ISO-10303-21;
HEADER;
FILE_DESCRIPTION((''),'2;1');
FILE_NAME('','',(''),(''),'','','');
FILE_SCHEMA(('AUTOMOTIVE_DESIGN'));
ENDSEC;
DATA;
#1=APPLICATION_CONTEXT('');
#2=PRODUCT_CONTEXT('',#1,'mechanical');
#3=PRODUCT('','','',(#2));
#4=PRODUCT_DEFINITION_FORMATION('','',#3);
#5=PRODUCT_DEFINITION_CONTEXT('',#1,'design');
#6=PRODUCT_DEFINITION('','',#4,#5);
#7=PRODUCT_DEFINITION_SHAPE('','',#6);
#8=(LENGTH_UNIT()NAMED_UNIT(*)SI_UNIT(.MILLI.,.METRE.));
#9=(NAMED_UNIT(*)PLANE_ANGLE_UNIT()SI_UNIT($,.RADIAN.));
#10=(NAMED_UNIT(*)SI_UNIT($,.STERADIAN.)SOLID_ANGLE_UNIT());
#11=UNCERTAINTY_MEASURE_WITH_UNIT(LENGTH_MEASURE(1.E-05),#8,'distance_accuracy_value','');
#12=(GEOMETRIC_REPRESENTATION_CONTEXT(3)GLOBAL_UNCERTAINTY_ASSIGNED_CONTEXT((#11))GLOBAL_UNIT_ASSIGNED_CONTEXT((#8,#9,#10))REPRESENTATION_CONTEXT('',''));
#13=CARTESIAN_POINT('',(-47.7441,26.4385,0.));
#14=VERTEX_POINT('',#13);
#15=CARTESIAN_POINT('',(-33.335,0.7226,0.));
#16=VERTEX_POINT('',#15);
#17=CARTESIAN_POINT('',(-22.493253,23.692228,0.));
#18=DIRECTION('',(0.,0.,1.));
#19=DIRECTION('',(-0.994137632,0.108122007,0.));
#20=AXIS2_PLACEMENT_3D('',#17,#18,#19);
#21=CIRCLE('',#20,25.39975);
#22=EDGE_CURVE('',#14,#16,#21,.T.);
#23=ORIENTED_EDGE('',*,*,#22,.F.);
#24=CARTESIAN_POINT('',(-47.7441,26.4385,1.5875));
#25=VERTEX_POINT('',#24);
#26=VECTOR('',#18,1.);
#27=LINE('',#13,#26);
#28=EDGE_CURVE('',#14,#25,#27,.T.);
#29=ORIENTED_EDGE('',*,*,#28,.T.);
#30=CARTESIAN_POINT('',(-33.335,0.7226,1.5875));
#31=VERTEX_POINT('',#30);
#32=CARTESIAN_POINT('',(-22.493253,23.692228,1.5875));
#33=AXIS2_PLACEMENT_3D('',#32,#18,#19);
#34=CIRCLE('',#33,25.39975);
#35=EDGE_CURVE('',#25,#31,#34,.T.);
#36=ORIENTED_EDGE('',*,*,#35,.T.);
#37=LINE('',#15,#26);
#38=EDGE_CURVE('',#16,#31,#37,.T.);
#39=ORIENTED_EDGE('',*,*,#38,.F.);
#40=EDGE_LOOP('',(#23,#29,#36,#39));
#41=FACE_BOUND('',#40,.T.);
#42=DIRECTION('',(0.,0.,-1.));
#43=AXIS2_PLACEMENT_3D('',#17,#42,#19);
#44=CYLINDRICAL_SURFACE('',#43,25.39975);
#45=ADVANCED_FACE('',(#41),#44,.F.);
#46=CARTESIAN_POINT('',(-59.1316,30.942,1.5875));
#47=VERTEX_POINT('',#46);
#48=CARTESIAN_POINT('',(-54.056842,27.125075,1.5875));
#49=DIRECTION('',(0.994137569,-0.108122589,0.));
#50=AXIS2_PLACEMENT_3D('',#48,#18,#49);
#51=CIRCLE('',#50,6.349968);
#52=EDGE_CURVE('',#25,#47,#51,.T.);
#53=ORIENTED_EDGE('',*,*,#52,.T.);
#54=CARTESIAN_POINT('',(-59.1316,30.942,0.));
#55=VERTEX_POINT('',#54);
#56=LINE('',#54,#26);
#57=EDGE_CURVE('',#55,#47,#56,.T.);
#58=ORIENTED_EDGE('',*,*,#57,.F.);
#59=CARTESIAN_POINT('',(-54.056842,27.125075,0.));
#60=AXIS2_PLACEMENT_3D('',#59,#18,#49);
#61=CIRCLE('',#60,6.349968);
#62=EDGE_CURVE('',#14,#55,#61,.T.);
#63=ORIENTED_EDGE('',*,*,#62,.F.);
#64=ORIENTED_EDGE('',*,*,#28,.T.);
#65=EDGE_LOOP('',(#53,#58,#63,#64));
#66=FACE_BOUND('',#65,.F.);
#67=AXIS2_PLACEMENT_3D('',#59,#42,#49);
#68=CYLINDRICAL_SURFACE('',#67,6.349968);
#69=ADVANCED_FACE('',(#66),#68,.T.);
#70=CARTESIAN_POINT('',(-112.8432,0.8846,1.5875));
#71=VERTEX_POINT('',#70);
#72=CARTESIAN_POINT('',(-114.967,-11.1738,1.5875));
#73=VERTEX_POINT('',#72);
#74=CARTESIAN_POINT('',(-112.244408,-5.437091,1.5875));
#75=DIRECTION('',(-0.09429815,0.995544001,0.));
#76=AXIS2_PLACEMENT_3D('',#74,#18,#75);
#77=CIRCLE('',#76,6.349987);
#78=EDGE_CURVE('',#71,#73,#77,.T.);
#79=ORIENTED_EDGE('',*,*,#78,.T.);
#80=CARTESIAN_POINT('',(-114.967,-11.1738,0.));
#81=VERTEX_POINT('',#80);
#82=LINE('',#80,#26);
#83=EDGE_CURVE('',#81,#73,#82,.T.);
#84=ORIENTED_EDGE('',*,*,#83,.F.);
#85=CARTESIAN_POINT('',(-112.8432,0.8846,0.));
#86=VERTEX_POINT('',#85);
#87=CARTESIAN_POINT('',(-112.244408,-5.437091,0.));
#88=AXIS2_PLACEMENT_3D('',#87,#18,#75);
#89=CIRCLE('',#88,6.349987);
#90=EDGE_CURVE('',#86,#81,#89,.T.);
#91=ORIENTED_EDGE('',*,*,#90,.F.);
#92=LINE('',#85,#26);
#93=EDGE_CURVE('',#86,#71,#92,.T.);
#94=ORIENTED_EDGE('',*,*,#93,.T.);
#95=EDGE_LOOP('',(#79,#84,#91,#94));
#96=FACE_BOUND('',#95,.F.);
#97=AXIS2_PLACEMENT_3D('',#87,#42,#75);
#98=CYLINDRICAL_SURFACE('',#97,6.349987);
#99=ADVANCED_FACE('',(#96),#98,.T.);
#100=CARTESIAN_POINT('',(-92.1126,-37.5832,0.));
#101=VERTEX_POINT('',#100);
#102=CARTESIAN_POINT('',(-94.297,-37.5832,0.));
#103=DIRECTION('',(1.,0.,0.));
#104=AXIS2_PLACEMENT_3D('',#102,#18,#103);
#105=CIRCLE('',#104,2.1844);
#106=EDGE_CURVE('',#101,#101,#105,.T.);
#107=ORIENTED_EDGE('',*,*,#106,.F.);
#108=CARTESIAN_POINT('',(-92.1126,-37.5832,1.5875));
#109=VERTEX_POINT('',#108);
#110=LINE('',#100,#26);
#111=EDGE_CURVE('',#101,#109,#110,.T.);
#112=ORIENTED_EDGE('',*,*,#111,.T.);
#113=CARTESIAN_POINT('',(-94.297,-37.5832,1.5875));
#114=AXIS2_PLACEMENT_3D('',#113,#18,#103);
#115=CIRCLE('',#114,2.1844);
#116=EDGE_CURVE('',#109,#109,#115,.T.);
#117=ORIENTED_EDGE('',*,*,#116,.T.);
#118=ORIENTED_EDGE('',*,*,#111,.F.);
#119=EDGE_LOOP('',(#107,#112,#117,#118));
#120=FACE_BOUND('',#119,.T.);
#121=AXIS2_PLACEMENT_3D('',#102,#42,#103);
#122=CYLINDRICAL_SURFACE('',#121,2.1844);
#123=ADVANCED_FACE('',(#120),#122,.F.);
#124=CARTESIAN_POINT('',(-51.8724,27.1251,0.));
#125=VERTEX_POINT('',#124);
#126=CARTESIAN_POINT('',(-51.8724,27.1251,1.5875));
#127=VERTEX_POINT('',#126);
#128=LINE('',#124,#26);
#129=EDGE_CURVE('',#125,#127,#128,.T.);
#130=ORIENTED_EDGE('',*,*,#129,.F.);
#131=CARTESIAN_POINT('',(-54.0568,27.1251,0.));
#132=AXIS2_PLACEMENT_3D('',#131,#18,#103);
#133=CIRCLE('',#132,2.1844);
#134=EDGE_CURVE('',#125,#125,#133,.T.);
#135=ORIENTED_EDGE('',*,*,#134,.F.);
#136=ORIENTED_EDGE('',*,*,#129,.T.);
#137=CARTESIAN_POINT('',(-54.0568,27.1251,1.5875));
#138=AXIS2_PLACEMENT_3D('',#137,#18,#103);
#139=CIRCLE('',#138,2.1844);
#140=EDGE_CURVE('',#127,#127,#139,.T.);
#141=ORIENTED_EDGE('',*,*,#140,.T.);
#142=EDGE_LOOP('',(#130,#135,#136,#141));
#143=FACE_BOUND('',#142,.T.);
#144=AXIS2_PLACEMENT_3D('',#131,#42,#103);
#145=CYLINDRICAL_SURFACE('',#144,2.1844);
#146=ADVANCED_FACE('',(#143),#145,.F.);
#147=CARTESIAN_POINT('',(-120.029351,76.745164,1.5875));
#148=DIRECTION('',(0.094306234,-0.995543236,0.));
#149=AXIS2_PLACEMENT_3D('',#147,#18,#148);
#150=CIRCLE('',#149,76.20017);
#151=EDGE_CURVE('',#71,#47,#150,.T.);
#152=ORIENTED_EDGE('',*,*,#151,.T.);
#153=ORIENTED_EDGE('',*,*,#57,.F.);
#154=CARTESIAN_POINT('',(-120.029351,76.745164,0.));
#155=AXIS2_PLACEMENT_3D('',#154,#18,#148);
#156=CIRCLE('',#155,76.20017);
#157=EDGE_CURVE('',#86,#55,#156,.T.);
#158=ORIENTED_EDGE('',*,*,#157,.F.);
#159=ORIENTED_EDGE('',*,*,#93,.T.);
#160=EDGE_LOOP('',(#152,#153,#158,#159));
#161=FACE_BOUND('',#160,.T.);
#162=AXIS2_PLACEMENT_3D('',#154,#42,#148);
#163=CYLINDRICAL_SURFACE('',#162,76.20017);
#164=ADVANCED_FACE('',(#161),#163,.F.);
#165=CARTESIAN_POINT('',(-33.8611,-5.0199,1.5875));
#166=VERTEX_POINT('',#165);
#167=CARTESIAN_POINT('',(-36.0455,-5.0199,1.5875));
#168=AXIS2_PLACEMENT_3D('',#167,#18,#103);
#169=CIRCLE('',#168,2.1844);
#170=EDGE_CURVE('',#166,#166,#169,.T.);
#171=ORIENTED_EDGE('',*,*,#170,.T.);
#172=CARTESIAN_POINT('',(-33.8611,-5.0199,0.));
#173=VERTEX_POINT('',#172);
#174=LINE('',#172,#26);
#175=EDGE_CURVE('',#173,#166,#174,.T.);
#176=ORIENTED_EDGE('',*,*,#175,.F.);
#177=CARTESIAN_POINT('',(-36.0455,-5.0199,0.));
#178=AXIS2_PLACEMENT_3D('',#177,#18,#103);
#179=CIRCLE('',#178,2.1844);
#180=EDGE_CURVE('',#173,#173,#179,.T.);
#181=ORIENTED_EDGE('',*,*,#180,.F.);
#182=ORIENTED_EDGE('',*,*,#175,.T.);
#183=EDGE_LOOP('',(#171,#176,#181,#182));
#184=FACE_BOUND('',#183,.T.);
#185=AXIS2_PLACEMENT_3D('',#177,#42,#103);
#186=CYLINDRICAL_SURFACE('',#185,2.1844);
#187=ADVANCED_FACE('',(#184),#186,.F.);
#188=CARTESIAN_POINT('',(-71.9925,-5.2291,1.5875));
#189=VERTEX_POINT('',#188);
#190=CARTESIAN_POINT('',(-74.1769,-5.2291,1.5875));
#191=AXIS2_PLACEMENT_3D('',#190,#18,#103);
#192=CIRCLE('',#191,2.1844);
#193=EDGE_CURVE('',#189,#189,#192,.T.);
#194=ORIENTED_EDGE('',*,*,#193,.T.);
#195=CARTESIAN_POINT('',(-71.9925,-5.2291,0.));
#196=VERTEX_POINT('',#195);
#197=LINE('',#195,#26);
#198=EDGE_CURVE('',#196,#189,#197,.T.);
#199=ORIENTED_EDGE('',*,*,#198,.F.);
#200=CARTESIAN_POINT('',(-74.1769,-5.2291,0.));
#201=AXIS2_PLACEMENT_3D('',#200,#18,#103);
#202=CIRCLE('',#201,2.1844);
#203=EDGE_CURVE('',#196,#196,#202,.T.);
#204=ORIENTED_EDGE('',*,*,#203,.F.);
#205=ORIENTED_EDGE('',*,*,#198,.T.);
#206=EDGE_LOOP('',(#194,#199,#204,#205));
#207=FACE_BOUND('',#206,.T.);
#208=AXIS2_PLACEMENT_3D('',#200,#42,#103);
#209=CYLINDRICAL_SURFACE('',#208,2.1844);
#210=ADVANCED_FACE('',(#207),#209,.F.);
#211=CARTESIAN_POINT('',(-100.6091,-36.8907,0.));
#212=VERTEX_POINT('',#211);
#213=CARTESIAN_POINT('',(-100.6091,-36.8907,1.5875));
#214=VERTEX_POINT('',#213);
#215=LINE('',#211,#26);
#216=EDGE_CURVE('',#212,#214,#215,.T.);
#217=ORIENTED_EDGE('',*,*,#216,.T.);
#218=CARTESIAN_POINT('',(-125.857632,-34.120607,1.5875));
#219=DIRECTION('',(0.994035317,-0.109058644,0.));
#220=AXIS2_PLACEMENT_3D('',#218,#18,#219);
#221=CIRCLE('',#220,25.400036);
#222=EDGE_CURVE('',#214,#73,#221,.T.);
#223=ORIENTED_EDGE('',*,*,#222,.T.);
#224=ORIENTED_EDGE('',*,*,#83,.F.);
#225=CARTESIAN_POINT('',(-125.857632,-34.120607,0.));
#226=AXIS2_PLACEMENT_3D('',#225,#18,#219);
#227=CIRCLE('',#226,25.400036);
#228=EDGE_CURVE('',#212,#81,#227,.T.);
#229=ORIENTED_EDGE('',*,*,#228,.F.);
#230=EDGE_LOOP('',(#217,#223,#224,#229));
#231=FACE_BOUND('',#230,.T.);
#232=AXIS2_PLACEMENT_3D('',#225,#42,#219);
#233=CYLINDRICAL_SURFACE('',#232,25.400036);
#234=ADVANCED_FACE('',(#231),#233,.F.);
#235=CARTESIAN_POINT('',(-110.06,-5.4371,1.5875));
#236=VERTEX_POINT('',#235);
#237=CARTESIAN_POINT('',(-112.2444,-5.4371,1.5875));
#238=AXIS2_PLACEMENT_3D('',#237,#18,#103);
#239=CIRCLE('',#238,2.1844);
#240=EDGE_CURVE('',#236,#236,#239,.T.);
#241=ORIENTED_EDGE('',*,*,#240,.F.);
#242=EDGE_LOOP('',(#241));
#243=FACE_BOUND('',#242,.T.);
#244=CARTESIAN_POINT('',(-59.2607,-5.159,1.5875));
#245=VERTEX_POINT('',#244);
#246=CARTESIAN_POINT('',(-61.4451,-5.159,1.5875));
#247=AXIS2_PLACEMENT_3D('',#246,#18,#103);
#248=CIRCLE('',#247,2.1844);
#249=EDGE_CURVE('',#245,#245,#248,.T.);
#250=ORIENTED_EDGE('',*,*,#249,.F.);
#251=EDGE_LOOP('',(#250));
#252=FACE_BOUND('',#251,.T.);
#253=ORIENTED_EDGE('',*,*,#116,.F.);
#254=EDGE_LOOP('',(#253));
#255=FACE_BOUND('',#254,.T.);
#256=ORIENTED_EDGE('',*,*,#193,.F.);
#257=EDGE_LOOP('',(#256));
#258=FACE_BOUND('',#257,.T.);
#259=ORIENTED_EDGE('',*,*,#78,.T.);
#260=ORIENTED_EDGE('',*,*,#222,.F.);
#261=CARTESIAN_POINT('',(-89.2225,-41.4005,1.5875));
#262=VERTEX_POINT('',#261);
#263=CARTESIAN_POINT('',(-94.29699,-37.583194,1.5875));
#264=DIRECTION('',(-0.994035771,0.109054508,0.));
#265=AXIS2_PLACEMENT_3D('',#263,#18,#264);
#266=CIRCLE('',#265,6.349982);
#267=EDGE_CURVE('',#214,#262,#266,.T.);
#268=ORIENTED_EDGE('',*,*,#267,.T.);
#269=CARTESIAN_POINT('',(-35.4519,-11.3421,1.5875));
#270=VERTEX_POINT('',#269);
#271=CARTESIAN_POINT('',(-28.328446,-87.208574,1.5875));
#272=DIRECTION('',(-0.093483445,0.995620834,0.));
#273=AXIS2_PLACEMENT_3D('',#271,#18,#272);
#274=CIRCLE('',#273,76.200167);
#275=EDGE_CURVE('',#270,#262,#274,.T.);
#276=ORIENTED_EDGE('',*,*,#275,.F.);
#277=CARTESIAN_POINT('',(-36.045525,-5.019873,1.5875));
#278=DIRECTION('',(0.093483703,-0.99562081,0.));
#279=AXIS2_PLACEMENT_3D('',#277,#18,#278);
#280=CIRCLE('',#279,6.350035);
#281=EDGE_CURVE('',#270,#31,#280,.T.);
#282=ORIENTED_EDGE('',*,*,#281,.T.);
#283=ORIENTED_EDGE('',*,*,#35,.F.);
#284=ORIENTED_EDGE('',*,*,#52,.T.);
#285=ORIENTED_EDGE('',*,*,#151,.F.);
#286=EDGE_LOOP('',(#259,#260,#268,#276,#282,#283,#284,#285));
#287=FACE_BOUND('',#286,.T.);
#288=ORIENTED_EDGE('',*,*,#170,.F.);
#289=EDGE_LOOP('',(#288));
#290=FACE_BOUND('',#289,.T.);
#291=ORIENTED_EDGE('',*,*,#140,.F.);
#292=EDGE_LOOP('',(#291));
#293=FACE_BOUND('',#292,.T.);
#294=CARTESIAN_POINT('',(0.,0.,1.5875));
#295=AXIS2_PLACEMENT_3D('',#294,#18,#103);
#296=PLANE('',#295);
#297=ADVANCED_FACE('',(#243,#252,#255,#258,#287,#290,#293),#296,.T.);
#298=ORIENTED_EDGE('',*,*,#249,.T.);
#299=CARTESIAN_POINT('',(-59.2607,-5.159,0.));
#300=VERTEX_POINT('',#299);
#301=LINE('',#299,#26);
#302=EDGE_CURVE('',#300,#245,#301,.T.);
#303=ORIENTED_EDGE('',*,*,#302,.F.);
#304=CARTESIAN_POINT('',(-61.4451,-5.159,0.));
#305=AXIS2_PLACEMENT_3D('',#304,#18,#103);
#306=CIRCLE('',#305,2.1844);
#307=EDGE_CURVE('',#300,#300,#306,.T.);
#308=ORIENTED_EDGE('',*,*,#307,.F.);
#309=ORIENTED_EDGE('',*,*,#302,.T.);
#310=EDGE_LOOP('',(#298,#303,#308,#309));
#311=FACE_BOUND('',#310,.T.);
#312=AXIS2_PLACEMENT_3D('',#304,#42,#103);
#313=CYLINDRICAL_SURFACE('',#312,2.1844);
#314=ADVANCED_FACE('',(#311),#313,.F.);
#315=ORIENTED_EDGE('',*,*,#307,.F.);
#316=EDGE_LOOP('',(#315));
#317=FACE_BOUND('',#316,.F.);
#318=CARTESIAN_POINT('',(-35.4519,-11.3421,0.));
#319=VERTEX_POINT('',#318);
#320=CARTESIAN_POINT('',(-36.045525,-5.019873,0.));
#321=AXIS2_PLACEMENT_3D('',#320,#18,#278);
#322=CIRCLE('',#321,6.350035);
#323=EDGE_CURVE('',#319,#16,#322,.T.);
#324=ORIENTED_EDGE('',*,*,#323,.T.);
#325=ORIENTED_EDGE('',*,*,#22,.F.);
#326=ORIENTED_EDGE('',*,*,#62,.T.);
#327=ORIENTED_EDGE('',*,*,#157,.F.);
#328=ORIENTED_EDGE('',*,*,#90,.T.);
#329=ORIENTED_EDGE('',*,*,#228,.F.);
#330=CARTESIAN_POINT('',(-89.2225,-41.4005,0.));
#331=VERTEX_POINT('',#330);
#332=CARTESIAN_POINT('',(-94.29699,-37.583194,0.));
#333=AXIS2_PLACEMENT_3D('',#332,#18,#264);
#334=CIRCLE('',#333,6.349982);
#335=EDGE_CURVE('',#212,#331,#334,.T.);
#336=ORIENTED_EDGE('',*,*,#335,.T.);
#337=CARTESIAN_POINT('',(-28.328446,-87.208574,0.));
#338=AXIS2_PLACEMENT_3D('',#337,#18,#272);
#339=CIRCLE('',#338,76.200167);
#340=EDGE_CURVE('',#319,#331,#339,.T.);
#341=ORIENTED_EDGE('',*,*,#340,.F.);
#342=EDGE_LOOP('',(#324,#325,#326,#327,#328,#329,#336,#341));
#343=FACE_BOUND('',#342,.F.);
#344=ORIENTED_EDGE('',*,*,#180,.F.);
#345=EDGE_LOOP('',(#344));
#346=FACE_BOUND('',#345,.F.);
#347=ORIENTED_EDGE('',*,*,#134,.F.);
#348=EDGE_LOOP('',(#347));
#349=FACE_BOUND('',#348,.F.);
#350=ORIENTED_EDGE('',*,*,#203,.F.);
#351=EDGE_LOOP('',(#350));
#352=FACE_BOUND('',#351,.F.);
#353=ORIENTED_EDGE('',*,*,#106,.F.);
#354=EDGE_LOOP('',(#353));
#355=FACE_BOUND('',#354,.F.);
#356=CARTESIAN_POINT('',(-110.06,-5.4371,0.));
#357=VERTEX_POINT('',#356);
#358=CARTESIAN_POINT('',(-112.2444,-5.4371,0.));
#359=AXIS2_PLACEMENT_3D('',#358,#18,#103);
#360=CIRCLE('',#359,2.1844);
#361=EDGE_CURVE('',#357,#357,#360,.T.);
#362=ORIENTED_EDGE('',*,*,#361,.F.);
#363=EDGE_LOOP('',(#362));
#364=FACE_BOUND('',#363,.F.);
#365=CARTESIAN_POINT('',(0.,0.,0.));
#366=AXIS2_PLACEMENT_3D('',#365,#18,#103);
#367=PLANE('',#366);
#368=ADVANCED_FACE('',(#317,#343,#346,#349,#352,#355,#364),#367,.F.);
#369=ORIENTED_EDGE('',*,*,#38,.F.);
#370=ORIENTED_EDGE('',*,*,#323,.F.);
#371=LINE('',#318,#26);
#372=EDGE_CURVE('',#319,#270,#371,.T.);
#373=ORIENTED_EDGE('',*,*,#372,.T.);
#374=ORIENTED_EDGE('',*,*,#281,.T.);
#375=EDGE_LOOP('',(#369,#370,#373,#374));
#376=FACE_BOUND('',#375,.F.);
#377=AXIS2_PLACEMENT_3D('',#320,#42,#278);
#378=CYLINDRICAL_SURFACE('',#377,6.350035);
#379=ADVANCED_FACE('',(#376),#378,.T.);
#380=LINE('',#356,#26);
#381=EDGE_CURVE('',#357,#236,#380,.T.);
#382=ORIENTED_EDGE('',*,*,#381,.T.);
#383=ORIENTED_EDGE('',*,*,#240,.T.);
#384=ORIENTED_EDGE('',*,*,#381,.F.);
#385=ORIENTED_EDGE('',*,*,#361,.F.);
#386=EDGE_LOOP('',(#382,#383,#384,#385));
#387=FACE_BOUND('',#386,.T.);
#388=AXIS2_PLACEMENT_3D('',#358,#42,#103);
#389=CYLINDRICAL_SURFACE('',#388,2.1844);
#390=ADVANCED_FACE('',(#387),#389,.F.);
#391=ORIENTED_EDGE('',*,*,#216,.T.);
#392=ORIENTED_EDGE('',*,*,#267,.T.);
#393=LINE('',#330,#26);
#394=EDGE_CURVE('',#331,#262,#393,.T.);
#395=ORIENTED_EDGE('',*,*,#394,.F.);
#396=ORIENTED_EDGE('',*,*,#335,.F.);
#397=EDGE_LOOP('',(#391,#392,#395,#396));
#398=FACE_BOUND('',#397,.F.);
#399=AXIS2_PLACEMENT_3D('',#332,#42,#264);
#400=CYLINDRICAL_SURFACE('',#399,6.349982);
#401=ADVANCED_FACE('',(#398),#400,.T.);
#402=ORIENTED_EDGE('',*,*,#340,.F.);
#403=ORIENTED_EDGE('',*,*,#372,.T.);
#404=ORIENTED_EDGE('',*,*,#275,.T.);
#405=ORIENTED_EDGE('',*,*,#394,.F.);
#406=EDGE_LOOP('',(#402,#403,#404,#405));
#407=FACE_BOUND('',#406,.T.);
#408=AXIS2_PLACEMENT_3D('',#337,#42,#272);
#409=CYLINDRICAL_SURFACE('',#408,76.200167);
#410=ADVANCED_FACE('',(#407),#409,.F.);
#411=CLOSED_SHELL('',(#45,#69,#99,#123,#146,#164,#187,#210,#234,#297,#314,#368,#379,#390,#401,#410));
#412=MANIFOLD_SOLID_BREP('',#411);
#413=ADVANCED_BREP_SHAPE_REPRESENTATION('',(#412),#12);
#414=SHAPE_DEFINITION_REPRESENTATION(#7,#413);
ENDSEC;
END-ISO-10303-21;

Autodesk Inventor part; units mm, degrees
ref_plane "YZ Plane" through (0, 0, 0) normal (1, 0, 0) x (0, 1, 0)
ref_plane "XZ Plane" through (0, 0, 0) normal (0, 1, 0) x (-1, 0, 0)
ref_plane "XY Plane" through (0, 0, 0) normal (0, 0, 1) x (1, 0, 0)
sketch "Sketch1" plane through (0, 0, 0) normal (0, 0, 1) x (1, 0, 0)
  circle A0 centre (-74.1769, -5.2291) radius 2.1844
  circle A1 centre (-36.0455, -5.0199) radius 2.1844
  circle A2 centre (-112.2444, -5.4371) radius 2.1844
  circle A3 centre (-94.297, -37.5832) radius 2.1844
  circle A4 centre (-54.0568, 27.1251) radius 2.1844
  arc A5 (-35.4519, -11.3421) -> (-89.2225, -41.4005) centre (-28.3285, -87.2084) ccw
  arc A6 (-100.6091, -36.8907) -> (-114.967, -11.1738) centre (-125.8576, -34.1206) ccw
  arc A7 (-112.8432, 0.8846) -> (-59.1316, 30.942) centre (-120.0293, 76.745) ccw
  arc A8 (-47.7441, 26.4385) -> (-33.335, 0.7226) centre (-22.4929, 23.6923) ccw
  arc A9 (-35.4519, -11.3421) -> (-33.335, 0.7226) centre (-36.0455, -5.0199) ccw
  arc A10 (-100.6091, -36.8907) -> (-89.2225, -41.4005) centre (-94.297, -37.5832) ccw
  arc A11 (-112.8432, 0.8846) -> (-114.967, -11.1738) centre (-112.2444, -5.4371) ccw
  arc A12 (-47.7441, 26.4385) -> (-59.1316, 30.942) centre (-54.0568, 27.1251) ccw
  circle A13 centre (-61.4451, -5.159) radius 2.1844
  point P0 (-47.7441, 26.4385)
  dimension "d6" = 25.4
  dimension "d7" = 25.4
  dimension "d8" = 76.2
  dimension "d9" = 76.2
extrude "Extrusion2" add sketch "Sketch1" along normal blind 1.5875
properties part number "Side Poly"
